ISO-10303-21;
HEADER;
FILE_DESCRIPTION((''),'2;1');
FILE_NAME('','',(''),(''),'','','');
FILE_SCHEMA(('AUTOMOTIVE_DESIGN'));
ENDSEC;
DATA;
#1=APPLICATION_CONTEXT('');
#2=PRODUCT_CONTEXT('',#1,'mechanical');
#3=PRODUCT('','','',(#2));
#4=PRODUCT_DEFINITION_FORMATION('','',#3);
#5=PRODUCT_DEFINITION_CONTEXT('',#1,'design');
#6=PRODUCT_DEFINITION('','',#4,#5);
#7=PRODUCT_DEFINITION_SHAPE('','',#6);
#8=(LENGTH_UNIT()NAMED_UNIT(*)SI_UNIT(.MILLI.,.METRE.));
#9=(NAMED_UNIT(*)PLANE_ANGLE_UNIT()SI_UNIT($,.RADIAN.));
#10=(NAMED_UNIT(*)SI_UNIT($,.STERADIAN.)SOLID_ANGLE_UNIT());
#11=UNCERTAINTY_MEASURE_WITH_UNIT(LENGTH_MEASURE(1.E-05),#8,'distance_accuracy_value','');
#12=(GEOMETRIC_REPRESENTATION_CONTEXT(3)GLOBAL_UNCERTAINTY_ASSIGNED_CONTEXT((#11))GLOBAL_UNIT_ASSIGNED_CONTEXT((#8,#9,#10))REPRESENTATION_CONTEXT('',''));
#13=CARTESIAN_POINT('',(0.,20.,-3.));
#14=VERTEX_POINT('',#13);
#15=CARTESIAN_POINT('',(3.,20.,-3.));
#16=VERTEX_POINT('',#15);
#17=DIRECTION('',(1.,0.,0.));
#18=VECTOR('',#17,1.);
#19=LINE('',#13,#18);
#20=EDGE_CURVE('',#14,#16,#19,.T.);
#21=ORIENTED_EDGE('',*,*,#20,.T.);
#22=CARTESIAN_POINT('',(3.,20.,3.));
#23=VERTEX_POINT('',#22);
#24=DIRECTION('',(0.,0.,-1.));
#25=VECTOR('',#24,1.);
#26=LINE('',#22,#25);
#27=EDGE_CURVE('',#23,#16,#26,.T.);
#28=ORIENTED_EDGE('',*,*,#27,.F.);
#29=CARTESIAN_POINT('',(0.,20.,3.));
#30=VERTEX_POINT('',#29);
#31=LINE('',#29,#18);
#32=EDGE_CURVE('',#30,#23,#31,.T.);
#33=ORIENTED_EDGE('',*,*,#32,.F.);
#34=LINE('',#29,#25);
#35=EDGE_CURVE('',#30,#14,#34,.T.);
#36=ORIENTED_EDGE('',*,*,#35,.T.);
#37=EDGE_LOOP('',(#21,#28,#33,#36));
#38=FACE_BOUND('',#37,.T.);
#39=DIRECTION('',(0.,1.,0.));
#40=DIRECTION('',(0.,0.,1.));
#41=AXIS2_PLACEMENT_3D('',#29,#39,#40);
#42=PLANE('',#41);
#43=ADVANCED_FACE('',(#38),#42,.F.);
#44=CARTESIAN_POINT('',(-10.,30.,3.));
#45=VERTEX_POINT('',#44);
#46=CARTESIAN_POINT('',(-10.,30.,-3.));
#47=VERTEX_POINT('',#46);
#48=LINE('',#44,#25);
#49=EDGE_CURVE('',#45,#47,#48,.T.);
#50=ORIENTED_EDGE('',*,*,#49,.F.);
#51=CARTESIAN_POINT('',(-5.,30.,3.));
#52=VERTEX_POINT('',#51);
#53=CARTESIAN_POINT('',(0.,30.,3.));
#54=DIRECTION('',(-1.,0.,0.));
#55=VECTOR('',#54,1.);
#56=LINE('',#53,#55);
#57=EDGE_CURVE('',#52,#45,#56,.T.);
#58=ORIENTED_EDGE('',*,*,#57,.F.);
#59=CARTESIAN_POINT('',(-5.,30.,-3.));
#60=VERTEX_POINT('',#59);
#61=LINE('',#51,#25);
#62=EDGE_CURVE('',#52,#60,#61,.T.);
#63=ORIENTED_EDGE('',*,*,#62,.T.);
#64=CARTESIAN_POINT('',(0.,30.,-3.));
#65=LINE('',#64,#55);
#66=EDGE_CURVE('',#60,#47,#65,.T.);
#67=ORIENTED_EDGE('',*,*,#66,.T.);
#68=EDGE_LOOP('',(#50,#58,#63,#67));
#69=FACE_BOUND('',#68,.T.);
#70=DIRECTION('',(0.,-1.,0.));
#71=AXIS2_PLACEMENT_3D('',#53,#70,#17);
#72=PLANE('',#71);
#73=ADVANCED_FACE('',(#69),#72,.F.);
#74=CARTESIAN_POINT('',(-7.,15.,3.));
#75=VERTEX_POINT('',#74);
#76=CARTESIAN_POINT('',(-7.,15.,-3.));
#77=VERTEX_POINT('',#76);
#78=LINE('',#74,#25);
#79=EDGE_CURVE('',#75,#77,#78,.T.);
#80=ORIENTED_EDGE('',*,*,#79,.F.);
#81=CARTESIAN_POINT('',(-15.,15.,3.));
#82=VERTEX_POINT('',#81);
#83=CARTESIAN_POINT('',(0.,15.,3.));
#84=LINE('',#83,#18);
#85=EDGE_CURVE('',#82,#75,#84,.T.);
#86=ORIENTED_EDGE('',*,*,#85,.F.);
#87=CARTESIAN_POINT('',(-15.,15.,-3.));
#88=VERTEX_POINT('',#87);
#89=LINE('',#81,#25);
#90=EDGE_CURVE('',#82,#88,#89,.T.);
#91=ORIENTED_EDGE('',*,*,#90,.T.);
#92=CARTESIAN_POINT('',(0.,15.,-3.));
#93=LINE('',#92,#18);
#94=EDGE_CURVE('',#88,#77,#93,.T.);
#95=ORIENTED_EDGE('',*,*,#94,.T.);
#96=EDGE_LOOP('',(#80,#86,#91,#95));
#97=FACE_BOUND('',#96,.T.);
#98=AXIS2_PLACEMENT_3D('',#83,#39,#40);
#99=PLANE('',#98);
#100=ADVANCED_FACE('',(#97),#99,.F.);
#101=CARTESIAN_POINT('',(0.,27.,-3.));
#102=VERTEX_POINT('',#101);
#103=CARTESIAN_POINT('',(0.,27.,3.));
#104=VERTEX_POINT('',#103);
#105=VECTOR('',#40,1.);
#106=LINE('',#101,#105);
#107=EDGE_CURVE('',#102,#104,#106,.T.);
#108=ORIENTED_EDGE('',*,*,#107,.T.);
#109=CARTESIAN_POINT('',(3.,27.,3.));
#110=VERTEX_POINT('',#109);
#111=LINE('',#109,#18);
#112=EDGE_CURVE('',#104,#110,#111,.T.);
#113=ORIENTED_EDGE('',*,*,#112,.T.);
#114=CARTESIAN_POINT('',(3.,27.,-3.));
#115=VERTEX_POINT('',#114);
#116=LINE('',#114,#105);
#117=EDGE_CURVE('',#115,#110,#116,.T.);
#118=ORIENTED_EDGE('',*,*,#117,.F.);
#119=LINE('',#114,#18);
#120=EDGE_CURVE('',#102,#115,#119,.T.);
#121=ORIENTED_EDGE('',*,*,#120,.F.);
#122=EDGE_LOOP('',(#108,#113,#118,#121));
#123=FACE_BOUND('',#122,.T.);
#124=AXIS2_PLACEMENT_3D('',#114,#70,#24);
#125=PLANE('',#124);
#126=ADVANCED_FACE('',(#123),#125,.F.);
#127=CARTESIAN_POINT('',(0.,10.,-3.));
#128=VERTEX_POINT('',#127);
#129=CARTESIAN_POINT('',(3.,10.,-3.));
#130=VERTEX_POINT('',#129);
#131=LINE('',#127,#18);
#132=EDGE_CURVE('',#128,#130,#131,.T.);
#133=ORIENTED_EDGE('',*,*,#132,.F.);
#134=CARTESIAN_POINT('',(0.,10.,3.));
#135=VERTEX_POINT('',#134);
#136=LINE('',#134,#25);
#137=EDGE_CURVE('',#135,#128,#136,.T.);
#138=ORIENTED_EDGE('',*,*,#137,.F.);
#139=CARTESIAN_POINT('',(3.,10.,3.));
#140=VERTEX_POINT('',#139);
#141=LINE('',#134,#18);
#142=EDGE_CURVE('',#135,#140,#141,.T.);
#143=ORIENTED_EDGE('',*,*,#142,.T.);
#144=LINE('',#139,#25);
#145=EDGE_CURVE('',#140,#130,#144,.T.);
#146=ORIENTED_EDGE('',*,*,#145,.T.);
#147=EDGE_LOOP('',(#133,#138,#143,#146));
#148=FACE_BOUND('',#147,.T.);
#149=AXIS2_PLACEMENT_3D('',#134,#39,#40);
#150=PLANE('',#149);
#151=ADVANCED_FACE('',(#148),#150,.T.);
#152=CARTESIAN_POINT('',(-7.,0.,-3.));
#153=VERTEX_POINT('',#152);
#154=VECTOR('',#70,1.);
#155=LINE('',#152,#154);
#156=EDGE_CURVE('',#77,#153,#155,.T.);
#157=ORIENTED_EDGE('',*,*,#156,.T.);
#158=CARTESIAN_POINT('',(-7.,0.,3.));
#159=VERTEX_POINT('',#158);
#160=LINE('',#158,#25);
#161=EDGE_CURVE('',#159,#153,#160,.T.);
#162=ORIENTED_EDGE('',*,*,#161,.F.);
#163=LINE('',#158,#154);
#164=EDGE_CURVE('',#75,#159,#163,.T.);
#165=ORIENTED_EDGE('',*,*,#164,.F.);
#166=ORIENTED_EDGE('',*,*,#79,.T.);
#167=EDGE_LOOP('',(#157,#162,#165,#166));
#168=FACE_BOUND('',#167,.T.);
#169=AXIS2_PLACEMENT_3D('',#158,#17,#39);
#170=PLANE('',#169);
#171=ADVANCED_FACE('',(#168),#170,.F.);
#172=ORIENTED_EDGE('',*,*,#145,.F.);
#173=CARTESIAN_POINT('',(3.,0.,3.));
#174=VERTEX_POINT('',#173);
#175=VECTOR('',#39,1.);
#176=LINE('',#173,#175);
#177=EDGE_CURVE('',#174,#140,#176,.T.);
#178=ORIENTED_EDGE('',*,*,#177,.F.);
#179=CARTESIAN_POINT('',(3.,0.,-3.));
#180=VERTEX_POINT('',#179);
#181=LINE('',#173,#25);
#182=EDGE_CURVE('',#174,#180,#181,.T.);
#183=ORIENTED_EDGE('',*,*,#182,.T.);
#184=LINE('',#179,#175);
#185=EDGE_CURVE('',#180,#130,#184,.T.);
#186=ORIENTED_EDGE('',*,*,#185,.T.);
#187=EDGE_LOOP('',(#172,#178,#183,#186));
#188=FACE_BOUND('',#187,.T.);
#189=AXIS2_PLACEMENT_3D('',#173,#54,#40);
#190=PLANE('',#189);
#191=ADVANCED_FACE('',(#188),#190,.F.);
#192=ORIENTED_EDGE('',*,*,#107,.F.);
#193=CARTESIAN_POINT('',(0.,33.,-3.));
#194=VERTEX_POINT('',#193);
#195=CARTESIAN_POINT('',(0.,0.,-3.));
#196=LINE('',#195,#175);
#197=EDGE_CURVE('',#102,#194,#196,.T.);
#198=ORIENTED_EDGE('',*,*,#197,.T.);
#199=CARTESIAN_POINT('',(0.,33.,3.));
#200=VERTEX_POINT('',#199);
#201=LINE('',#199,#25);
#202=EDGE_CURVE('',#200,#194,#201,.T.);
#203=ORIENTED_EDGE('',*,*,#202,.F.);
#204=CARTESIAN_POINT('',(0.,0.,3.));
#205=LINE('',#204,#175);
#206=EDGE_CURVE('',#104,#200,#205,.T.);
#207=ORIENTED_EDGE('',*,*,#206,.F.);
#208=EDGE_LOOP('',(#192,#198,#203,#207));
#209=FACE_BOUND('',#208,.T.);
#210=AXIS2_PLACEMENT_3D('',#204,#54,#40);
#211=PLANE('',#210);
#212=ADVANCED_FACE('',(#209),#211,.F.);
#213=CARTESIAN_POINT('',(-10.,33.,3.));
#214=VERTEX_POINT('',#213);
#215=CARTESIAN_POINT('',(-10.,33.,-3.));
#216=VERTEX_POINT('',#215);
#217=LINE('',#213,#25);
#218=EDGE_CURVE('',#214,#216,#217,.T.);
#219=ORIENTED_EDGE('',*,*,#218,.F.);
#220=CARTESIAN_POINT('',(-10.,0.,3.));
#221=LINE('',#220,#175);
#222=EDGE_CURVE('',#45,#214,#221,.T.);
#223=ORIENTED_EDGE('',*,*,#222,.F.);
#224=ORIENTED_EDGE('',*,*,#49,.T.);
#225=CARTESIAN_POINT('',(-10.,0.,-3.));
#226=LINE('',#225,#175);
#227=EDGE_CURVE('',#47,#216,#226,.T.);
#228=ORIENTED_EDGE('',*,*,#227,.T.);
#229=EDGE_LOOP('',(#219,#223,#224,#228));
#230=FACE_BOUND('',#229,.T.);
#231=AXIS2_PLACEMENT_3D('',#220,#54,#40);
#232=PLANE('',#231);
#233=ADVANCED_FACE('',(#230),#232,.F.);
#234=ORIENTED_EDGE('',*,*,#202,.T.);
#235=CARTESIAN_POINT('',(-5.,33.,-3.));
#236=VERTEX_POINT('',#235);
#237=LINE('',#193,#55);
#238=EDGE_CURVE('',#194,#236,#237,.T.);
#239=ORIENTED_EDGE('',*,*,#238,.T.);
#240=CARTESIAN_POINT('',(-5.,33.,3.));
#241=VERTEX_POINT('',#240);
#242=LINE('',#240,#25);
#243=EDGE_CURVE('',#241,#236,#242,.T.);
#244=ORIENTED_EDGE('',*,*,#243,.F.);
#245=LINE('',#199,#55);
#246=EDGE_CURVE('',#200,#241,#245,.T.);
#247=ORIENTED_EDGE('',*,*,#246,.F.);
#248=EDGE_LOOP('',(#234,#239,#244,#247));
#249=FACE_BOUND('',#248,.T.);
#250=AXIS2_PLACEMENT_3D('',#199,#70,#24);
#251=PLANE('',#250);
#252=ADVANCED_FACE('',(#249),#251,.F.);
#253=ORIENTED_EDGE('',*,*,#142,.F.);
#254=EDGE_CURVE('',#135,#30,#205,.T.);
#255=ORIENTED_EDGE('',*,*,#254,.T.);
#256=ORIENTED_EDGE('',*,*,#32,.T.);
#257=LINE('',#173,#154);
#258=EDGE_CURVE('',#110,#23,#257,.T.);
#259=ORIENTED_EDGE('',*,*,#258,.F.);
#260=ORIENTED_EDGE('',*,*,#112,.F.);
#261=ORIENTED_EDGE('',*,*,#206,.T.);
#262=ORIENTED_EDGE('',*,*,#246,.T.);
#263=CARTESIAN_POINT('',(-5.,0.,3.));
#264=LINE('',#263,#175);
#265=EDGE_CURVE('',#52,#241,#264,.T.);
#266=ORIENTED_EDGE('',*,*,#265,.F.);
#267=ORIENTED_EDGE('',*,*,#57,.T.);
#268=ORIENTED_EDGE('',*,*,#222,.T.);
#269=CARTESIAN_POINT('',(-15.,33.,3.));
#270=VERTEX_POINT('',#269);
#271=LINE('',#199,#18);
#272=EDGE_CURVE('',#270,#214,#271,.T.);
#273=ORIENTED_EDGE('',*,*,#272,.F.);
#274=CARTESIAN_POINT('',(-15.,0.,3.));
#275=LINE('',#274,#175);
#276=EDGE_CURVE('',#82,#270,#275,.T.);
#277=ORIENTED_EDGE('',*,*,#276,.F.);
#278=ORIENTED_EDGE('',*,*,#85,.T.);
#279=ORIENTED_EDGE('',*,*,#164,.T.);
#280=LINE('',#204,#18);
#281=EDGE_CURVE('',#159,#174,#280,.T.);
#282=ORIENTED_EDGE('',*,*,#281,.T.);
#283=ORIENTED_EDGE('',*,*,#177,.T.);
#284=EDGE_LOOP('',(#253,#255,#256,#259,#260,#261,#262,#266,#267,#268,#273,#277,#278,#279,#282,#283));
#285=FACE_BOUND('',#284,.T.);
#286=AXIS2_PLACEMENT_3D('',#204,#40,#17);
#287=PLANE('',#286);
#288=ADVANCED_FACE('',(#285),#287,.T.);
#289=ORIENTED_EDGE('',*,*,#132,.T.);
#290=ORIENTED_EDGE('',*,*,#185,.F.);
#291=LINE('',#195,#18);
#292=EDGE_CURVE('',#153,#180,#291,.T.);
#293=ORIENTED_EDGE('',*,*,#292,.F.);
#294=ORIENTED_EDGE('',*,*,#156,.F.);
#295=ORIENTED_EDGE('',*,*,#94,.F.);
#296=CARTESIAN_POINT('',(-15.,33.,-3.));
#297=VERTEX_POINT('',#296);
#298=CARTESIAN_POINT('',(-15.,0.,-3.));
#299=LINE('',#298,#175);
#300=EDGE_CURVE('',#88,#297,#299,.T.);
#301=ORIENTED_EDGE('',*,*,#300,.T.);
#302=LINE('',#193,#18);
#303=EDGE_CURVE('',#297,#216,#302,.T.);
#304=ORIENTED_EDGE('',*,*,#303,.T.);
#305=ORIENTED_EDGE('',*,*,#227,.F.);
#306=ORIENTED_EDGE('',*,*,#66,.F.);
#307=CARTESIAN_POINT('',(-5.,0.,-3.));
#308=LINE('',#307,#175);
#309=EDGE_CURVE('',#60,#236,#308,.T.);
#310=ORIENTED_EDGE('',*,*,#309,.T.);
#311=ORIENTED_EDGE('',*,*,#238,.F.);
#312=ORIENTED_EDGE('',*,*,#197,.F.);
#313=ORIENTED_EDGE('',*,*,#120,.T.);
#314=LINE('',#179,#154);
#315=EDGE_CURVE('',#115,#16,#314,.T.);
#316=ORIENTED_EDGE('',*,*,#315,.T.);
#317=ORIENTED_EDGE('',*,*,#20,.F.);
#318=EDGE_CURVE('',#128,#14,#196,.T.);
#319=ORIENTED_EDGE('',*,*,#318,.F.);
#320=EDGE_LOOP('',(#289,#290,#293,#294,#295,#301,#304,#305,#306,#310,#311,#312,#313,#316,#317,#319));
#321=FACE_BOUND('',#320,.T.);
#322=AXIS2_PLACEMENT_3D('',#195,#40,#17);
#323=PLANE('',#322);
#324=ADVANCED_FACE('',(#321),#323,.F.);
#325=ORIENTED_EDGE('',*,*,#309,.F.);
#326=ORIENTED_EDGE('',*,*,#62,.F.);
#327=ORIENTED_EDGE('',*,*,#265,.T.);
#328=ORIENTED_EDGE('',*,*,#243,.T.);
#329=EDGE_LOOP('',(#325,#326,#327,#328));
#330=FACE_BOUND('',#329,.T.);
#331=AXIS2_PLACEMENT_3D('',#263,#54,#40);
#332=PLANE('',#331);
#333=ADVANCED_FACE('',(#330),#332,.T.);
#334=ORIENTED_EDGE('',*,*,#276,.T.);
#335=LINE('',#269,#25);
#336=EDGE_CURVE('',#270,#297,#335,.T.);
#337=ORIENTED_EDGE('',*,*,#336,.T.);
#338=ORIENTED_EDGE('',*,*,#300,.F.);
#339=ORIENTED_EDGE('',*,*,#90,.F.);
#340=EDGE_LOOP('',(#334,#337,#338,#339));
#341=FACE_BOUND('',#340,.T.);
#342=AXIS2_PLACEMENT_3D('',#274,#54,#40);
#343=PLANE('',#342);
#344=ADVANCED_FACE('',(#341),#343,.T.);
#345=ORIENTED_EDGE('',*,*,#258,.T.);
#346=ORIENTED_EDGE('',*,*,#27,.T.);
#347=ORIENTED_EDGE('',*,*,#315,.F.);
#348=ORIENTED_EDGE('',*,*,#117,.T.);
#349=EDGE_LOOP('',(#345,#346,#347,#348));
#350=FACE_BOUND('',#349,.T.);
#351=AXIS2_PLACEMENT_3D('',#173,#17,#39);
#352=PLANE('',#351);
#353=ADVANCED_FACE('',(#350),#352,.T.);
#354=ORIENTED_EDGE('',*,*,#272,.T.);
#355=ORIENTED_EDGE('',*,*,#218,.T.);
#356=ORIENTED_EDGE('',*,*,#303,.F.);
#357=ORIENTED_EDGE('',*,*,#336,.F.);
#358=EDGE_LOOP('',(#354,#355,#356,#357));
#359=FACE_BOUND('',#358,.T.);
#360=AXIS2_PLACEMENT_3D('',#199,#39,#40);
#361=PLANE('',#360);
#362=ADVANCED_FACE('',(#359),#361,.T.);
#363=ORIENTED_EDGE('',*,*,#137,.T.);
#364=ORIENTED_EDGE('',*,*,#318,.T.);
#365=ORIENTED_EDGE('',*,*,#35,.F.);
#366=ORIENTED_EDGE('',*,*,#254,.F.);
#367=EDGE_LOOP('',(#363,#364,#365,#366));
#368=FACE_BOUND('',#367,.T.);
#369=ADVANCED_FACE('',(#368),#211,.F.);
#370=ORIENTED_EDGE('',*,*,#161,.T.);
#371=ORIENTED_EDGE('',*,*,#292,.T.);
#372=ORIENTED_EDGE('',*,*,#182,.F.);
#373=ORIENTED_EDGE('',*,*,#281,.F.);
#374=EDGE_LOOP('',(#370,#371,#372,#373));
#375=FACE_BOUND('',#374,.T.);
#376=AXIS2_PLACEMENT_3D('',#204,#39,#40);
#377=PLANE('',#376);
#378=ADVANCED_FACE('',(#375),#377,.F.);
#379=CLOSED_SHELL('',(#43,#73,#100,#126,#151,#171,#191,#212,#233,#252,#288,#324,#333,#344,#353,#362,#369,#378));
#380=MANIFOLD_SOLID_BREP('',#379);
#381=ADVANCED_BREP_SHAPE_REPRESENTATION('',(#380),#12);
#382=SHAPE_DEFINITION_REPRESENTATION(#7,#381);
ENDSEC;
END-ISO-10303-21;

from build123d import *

# Parameters (mm, degrees)
BOSS_EXTRU_1_DEPTH      = 3
ESQUISSE2_W             = 3
ESQUISSE2_H             = 3
ENL_V_MAT_EXTRU_1_DEPTH = 6


with BuildPart() as part:
    # Esquisse1 → Boss.-Extru.1 (new, symmetric)
    with BuildSketch(Plane.XY):
        Polygon((-7, 0), (3, 0), (3, 10), (0, 10), (0, 20), (3, 20), (3, 30), (0, 30), (0, 33), (-5, 33), (-5, 30), (-10, 30), (-10, 33), (-15, 33), (-15, 15), (-7, 15), align=None)
    extrude(amount=BOSS_EXTRU_1_DEPTH, both=True)

    # Esquisse2 → Enlèv. mat.-Extru.1 (cut)
    with BuildSketch(Plane.XY.offset(3)):
        with Locations((1.5, 28.5)):
            Rectangle(ESQUISSE2_W, ESQUISSE2_H)
    extrude(amount=-ENL_V_MAT_EXTRU_1_DEPTH, mode=Mode.SUBTRACT)


solid = part.part
